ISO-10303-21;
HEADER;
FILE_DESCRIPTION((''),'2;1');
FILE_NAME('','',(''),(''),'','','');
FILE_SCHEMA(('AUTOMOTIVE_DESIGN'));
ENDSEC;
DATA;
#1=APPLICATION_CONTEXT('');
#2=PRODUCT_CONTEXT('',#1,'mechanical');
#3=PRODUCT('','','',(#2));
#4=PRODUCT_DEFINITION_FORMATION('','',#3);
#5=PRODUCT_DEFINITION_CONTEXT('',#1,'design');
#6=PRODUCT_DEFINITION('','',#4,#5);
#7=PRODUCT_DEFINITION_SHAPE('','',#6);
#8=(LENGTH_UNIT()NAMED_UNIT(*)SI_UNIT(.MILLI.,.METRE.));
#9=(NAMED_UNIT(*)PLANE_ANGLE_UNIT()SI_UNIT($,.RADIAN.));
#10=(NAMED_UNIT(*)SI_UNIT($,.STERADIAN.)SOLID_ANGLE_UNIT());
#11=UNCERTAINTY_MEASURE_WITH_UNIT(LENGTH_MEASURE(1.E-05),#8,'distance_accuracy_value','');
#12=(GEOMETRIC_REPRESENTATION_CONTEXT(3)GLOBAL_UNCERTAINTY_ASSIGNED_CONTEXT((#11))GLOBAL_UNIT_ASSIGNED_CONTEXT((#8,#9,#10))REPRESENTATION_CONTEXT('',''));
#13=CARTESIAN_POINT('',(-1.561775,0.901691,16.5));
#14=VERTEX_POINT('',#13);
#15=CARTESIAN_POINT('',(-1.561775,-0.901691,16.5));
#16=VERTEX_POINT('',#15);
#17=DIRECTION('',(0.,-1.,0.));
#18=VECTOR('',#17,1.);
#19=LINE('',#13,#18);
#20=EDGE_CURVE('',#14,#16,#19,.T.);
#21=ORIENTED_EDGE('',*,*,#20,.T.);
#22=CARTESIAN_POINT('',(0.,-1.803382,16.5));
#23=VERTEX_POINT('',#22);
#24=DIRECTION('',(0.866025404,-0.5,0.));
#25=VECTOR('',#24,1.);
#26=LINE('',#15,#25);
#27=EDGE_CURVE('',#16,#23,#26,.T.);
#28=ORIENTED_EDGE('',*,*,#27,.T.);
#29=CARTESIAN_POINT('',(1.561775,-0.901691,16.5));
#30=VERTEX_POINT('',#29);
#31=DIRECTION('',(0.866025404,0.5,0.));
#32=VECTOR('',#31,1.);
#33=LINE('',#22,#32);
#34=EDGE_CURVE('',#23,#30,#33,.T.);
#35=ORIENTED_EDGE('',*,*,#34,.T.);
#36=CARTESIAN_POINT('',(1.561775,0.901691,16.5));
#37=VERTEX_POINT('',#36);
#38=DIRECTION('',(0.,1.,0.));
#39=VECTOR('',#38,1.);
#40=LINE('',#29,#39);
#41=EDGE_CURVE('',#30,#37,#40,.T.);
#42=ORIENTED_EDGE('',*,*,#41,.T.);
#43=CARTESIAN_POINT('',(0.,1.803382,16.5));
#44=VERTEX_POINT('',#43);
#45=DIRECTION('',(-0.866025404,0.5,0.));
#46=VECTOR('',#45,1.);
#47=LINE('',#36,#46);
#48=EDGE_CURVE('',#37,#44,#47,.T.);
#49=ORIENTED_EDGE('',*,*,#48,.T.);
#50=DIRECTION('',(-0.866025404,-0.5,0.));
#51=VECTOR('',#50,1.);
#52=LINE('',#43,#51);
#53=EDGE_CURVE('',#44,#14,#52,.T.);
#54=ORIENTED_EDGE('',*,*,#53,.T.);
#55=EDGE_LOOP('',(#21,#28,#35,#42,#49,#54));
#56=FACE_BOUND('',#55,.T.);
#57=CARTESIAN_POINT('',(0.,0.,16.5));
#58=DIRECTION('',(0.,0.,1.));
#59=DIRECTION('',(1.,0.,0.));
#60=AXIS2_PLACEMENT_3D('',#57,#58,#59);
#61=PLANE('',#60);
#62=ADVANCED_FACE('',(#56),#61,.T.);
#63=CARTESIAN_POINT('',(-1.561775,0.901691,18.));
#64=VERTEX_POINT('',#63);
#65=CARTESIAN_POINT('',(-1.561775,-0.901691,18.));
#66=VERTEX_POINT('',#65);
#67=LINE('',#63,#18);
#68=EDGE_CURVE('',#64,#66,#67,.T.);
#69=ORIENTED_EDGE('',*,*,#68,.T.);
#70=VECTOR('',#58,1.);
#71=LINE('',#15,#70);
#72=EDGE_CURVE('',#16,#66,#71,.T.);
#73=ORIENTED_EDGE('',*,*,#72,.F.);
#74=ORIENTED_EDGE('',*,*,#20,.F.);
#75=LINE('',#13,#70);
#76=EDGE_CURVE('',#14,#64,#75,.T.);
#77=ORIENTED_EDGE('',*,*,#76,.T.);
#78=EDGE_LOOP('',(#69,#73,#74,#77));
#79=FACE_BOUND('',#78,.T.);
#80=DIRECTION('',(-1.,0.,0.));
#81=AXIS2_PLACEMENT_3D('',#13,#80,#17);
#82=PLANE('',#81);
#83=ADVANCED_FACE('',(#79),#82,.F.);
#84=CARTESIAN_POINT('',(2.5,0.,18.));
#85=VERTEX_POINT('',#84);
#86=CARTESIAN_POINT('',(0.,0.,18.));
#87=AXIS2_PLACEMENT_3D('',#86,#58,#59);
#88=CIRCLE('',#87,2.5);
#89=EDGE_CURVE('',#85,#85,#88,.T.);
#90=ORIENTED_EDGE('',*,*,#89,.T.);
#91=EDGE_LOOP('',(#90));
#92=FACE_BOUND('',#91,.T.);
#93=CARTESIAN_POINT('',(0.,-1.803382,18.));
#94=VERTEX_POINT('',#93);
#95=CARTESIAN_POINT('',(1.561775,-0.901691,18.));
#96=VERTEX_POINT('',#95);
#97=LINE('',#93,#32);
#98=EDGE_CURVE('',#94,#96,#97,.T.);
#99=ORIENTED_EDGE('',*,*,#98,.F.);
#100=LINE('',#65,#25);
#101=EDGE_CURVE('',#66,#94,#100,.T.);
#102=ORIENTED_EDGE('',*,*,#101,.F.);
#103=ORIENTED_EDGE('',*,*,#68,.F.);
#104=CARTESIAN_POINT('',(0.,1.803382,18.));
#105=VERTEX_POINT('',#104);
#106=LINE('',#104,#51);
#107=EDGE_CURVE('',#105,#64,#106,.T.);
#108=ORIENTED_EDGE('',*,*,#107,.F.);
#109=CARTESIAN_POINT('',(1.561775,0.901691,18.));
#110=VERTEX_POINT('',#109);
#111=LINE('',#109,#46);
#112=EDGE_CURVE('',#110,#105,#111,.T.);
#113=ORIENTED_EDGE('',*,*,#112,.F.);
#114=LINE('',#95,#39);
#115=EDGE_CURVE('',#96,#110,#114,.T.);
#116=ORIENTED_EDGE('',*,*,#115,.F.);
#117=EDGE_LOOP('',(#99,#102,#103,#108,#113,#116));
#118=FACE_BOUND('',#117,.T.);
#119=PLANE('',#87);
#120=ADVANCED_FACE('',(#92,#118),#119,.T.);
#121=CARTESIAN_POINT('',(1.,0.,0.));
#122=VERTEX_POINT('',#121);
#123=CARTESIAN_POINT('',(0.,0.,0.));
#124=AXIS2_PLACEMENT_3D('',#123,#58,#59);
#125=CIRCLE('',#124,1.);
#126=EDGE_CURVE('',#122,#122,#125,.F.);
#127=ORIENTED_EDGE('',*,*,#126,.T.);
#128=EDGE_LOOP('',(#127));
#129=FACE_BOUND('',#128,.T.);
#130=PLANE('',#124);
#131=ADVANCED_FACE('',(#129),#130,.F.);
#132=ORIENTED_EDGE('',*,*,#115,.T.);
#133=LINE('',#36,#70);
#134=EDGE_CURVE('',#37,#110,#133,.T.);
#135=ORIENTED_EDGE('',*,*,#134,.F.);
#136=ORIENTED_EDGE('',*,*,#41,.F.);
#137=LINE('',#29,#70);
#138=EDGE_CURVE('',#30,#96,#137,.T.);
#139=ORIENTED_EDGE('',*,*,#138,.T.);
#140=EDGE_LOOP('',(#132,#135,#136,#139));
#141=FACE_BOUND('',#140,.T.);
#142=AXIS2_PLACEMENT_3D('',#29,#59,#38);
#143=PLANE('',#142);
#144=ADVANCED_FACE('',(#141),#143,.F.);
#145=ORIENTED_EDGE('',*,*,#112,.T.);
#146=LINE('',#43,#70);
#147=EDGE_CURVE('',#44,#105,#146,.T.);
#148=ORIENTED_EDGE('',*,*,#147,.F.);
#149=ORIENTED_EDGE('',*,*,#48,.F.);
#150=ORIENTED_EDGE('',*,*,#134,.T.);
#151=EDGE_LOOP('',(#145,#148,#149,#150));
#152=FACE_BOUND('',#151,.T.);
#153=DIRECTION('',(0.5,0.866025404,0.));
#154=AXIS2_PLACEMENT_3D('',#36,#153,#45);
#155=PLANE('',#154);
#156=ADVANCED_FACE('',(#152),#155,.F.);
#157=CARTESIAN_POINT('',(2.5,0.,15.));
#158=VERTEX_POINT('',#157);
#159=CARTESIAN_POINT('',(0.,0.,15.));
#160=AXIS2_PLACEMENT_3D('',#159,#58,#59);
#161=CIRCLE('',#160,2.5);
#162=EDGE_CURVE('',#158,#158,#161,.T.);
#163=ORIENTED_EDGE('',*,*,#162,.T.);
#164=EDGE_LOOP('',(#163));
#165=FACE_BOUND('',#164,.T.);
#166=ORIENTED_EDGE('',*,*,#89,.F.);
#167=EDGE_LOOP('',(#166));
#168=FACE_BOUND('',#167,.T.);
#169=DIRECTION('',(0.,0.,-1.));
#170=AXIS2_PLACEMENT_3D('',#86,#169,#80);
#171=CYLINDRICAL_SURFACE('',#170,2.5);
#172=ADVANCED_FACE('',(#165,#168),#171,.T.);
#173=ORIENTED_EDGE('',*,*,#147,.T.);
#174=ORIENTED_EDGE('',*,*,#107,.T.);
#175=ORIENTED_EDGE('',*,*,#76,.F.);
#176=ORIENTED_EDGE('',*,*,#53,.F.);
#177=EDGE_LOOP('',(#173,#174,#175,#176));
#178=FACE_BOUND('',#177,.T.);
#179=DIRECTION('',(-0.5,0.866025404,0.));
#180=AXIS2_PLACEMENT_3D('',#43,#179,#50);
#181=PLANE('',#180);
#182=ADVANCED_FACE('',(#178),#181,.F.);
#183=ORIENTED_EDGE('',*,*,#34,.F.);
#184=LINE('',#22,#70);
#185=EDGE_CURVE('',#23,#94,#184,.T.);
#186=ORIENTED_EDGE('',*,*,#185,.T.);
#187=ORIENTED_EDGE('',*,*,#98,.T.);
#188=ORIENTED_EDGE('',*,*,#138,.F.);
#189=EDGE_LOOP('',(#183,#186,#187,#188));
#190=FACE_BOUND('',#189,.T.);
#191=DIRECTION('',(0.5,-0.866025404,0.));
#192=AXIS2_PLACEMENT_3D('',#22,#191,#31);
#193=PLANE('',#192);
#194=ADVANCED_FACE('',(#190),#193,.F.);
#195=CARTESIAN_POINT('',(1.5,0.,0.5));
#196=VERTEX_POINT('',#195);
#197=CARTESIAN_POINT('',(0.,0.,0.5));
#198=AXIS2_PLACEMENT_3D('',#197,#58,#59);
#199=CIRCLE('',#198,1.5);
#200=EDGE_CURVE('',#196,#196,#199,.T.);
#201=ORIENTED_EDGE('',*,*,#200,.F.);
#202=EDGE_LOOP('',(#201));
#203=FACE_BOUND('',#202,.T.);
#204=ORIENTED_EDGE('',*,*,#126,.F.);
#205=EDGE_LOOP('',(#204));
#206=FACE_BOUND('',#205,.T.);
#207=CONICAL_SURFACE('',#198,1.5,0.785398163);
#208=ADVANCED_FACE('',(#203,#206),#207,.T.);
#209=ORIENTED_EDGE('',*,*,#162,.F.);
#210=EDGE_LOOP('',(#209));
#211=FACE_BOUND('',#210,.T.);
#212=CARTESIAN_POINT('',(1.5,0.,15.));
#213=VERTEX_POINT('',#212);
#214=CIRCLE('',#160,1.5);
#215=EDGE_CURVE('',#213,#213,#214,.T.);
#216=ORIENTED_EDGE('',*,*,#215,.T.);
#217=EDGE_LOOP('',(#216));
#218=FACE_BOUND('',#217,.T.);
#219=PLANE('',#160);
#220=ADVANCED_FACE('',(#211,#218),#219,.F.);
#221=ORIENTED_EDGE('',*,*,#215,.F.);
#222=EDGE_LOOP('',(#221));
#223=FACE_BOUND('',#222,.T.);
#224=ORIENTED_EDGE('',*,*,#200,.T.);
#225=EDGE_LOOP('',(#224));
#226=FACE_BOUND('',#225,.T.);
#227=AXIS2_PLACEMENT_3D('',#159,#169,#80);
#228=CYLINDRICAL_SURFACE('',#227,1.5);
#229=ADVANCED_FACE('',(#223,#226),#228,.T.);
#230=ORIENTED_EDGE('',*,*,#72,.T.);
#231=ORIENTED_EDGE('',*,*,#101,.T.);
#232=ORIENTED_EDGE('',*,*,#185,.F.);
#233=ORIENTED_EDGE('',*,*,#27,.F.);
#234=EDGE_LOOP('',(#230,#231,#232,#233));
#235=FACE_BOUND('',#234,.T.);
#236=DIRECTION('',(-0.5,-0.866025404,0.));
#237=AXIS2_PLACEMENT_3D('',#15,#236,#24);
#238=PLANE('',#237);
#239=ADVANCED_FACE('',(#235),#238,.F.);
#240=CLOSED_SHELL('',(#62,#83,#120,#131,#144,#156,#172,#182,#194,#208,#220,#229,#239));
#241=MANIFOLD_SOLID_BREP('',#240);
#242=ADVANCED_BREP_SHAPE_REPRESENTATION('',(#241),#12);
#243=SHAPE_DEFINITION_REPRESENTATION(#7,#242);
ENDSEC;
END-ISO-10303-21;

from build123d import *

# Parameters (mm, degrees)
SKETCH_1_R          = 1.5
EXTRUDE_1_DEPTH     = 15
SKETCH_2_R          = 2.5
EXTRUDE_2_DEPTH     = 3
CUT_EXTRUDE_1_DEPTH = 1.5
CHAMFER_1_SIZE      = 0.5


with BuildPart() as part:
    # 草图1 → 凸台-拉伸1 (new body)
    with BuildSketch(Plane.XY):
        Circle(SKETCH_1_R)
    extrude(amount=EXTRUDE_1_DEPTH)

    # 草图2 → 凸台-拉伸2 (add)
    with BuildSketch(Plane.XY.offset(15)):
        Circle(SKETCH_2_R)
    extrude(amount=EXTRUDE_2_DEPTH)

    # 草图3 → 切除-拉伸1 (cut)
    with BuildSketch(Plane.XY.offset(18)):
        Polygon((0, 1.803382283), (-1.56177487, 0.901691141), (-1.56177487, -0.901691141), (0, -1.803382283), (1.56177487, -0.901691141), (1.56177487, 0.901691141), align=None)
    extrude(amount=-CUT_EXTRUDE_1_DEPTH, mode=Mode.SUBTRACT)

    # 倒角1
    chamfer_1_edges = [part.edges().sort_by_distance(p)[0] for p in [
        (-1.5, 0, 0),
    ]]
    chamfer(chamfer_1_edges, length=CHAMFER_1_SIZE)


solid = part.part
